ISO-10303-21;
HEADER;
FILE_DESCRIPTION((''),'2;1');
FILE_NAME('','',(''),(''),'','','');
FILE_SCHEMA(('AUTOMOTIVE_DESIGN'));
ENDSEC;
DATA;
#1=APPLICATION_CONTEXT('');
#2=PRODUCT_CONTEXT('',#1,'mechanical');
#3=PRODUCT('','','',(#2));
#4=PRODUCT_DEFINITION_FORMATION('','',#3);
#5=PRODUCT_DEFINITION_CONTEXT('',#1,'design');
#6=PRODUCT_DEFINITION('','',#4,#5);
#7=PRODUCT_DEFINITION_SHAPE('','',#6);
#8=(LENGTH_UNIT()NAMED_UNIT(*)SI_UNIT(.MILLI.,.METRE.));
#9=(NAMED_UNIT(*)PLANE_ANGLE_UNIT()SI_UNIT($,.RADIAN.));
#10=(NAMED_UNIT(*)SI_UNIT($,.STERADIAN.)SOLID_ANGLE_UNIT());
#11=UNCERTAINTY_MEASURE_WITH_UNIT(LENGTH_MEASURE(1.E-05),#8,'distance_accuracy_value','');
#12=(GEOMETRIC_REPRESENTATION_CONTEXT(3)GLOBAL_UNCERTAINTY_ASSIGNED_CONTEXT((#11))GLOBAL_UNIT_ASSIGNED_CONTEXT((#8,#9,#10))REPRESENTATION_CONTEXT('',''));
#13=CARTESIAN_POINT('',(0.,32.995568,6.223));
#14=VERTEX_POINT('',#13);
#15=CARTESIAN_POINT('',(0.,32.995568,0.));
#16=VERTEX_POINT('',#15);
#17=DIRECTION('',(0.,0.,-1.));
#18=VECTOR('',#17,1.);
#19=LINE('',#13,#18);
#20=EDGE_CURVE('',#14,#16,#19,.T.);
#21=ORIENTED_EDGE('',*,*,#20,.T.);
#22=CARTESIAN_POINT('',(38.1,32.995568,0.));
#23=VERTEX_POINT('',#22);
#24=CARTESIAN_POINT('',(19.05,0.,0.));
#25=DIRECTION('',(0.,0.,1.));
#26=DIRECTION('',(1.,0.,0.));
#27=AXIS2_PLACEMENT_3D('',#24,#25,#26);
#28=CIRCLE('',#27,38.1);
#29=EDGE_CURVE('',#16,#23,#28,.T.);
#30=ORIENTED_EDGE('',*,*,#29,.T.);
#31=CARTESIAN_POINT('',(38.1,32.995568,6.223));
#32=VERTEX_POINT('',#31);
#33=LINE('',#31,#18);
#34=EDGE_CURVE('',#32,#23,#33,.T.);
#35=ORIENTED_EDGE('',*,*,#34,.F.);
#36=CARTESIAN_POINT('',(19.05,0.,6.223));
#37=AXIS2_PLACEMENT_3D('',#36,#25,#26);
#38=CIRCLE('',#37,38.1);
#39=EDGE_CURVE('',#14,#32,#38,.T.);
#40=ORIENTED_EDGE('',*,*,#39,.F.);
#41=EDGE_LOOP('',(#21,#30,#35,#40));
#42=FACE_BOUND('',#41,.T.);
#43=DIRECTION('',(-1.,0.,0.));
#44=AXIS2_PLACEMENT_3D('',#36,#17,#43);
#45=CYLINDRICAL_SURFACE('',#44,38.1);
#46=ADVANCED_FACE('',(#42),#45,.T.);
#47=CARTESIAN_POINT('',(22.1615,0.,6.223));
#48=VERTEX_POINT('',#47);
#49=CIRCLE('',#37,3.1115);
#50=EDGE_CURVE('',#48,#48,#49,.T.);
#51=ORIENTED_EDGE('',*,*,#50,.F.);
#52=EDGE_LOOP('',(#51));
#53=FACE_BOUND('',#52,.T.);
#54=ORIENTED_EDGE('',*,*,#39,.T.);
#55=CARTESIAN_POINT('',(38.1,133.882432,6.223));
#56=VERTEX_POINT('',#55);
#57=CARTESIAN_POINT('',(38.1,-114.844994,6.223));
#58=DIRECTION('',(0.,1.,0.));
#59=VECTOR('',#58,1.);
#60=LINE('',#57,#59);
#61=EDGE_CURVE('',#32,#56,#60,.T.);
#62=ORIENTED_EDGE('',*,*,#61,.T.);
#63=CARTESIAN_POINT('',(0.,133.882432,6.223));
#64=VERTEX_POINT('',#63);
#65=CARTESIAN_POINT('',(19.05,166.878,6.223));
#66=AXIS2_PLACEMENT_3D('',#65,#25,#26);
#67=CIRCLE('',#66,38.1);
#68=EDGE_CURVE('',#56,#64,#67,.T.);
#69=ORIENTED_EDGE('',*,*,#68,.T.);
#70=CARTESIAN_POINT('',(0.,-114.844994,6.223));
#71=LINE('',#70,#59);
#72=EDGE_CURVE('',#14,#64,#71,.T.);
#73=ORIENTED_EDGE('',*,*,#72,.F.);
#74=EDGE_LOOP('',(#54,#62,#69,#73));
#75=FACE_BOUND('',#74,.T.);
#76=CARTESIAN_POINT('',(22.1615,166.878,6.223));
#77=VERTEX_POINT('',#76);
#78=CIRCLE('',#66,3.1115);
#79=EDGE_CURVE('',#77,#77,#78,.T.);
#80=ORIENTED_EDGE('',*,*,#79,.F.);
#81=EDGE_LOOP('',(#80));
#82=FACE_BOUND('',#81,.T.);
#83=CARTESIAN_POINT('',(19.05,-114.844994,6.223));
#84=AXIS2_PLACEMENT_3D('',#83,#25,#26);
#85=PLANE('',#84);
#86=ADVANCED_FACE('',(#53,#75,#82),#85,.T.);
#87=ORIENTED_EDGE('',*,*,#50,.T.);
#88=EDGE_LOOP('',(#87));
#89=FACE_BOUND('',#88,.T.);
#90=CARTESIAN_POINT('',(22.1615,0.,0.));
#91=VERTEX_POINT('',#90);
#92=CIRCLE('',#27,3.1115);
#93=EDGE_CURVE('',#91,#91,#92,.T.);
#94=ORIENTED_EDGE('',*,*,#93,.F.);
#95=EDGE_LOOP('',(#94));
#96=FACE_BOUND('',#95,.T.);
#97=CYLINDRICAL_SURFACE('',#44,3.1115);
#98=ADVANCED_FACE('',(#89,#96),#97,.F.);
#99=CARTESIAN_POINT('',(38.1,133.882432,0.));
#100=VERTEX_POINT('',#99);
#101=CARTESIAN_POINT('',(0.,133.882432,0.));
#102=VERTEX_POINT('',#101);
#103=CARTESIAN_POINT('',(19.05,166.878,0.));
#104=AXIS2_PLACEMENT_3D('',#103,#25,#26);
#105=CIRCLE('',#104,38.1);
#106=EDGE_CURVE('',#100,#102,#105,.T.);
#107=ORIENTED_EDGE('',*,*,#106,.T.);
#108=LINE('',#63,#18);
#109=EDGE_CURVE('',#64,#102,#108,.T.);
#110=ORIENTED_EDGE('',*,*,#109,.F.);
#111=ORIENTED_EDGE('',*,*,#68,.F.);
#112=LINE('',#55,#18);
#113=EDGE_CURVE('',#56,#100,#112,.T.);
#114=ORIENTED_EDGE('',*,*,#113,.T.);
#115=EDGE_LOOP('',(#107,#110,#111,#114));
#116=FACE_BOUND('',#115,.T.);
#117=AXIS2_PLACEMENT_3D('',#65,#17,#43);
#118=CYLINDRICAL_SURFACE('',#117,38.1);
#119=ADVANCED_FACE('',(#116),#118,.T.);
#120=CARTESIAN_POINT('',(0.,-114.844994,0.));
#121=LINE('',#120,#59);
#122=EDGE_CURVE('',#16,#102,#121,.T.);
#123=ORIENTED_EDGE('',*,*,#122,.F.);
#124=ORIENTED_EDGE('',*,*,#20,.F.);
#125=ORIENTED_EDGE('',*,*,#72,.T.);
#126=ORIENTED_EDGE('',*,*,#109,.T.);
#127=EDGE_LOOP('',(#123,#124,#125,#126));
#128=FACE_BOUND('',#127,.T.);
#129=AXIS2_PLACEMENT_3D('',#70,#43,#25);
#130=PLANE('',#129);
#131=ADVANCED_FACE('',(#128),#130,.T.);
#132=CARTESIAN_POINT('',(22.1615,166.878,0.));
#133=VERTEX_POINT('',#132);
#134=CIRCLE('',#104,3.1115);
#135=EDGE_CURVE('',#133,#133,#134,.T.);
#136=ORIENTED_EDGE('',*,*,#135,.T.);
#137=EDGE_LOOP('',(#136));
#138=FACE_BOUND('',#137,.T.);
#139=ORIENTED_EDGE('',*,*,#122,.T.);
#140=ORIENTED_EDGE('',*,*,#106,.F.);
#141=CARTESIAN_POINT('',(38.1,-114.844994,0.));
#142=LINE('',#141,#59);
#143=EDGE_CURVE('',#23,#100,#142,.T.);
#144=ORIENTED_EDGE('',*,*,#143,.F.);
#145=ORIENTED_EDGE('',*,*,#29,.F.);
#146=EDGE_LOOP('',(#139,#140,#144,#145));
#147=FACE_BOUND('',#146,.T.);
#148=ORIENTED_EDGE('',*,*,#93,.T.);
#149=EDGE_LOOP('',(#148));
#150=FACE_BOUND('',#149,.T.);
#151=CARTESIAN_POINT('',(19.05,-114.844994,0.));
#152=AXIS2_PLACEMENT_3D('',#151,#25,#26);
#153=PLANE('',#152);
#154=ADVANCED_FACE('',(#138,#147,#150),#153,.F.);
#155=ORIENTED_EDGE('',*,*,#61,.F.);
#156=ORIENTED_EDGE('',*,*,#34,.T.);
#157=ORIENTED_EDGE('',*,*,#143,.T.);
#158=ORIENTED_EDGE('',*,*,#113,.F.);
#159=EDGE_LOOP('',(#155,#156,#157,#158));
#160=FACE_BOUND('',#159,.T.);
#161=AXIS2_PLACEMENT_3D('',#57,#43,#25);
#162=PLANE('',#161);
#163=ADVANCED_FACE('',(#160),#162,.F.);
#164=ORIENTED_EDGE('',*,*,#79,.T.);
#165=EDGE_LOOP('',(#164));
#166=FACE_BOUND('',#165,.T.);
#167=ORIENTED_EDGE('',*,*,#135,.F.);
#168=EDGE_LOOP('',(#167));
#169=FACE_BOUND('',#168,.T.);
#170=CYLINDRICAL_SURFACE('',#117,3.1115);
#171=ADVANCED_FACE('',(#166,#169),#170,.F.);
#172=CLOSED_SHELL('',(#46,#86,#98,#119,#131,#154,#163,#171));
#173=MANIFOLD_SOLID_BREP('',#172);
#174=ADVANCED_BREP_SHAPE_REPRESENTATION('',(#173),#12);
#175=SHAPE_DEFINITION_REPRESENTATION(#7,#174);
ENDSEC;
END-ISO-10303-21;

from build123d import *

# Parameters (mm, degrees)
BOSS_EXTRUDE1_DEPTH = 6.223


with BuildPart() as part:
    # Sketch1 → Boss-Extrude1 (new body)
    with BuildSketch(Plane.XY):
        with BuildLine():
            ThreePointArc((0, 133.882432116), (19.05, 128.778), (38.1, 133.882432116))
            Line((38.1, 133.882432116), (38.1, 166.878))
            Line((38.1, 166.878), (22.1615, 166.878))
            ThreePointArc((22.1615, 166.878), (19.05, 163.7665), (15.9385, 166.878))
            Line((15.9385, 166.878), (0, 166.878))
            Line((0, 166.878), (0, 133.882432116))
        make_face()
        with BuildLine():
            Line((38.1, 166.878), (38.1, 133.882432116))
            ThreePointArc((38.1, 133.882432116), (52.045567884, 147.828), (57.15, 166.878))
            ThreePointArc((57.15, 166.878), (0, 199.873567884), (0, 133.882432116))
            Line((0, 133.882432116), (0, 166.878))
            Line((0, 166.878), (15.9385, 166.878))
            ThreePointArc((15.9385, 166.878), (19.05, 169.9895), (22.1615, 166.878))
            Line((22.1615, 166.878), (38.1, 166.878))
        make_face()
        with BuildLine():
            ThreePointArc((0, 32.995567884), (19.05, 38.1), (38.1, 32.995567884))
            Line((38.1, 32.995567884), (38.1, 133.882432116))
            ThreePointArc((38.1, 133.882432116), (19.05, 128.778), (0, 133.882432116))
            Line((0, 133.882432116), (0, 32.995567884))
        make_face()
        with BuildLine():
            ThreePointArc((15.9385, 0), (19.05, 3.1115), (22.1615, 0))
            Line((22.1615, 0), (38.1, 0))
            Line((38.1, 0), (38.1, 32.995567884))
            ThreePointArc((38.1, 32.995567884), (19.05, 38.1), (0, 32.995567884))
            Line((0, 32.995567884), (0, 0))
            Line((0, 0), (15.9385, 0))
        make_face()
        with BuildLine():
            Line((38.1, 0), (22.1615, 0))
            ThreePointArc((22.1615, 0), (19.05, -3.1115), (15.9385, 0))
            Line((15.9385, 0), (0, 0))
            Line((0, 0), (0, 32.995567884))
            ThreePointArc((0, 32.995567884), (0, -32.995567884), (57.15, 0))
            ThreePointArc((57.15, 0), (52.045567884, 19.05), (38.1, 32.995567884))
            Line((38.1, 32.995567884), (38.1, 0))
        make_face()
    extrude(amount=BOSS_EXTRUDE1_DEPTH)


solid = part.part
